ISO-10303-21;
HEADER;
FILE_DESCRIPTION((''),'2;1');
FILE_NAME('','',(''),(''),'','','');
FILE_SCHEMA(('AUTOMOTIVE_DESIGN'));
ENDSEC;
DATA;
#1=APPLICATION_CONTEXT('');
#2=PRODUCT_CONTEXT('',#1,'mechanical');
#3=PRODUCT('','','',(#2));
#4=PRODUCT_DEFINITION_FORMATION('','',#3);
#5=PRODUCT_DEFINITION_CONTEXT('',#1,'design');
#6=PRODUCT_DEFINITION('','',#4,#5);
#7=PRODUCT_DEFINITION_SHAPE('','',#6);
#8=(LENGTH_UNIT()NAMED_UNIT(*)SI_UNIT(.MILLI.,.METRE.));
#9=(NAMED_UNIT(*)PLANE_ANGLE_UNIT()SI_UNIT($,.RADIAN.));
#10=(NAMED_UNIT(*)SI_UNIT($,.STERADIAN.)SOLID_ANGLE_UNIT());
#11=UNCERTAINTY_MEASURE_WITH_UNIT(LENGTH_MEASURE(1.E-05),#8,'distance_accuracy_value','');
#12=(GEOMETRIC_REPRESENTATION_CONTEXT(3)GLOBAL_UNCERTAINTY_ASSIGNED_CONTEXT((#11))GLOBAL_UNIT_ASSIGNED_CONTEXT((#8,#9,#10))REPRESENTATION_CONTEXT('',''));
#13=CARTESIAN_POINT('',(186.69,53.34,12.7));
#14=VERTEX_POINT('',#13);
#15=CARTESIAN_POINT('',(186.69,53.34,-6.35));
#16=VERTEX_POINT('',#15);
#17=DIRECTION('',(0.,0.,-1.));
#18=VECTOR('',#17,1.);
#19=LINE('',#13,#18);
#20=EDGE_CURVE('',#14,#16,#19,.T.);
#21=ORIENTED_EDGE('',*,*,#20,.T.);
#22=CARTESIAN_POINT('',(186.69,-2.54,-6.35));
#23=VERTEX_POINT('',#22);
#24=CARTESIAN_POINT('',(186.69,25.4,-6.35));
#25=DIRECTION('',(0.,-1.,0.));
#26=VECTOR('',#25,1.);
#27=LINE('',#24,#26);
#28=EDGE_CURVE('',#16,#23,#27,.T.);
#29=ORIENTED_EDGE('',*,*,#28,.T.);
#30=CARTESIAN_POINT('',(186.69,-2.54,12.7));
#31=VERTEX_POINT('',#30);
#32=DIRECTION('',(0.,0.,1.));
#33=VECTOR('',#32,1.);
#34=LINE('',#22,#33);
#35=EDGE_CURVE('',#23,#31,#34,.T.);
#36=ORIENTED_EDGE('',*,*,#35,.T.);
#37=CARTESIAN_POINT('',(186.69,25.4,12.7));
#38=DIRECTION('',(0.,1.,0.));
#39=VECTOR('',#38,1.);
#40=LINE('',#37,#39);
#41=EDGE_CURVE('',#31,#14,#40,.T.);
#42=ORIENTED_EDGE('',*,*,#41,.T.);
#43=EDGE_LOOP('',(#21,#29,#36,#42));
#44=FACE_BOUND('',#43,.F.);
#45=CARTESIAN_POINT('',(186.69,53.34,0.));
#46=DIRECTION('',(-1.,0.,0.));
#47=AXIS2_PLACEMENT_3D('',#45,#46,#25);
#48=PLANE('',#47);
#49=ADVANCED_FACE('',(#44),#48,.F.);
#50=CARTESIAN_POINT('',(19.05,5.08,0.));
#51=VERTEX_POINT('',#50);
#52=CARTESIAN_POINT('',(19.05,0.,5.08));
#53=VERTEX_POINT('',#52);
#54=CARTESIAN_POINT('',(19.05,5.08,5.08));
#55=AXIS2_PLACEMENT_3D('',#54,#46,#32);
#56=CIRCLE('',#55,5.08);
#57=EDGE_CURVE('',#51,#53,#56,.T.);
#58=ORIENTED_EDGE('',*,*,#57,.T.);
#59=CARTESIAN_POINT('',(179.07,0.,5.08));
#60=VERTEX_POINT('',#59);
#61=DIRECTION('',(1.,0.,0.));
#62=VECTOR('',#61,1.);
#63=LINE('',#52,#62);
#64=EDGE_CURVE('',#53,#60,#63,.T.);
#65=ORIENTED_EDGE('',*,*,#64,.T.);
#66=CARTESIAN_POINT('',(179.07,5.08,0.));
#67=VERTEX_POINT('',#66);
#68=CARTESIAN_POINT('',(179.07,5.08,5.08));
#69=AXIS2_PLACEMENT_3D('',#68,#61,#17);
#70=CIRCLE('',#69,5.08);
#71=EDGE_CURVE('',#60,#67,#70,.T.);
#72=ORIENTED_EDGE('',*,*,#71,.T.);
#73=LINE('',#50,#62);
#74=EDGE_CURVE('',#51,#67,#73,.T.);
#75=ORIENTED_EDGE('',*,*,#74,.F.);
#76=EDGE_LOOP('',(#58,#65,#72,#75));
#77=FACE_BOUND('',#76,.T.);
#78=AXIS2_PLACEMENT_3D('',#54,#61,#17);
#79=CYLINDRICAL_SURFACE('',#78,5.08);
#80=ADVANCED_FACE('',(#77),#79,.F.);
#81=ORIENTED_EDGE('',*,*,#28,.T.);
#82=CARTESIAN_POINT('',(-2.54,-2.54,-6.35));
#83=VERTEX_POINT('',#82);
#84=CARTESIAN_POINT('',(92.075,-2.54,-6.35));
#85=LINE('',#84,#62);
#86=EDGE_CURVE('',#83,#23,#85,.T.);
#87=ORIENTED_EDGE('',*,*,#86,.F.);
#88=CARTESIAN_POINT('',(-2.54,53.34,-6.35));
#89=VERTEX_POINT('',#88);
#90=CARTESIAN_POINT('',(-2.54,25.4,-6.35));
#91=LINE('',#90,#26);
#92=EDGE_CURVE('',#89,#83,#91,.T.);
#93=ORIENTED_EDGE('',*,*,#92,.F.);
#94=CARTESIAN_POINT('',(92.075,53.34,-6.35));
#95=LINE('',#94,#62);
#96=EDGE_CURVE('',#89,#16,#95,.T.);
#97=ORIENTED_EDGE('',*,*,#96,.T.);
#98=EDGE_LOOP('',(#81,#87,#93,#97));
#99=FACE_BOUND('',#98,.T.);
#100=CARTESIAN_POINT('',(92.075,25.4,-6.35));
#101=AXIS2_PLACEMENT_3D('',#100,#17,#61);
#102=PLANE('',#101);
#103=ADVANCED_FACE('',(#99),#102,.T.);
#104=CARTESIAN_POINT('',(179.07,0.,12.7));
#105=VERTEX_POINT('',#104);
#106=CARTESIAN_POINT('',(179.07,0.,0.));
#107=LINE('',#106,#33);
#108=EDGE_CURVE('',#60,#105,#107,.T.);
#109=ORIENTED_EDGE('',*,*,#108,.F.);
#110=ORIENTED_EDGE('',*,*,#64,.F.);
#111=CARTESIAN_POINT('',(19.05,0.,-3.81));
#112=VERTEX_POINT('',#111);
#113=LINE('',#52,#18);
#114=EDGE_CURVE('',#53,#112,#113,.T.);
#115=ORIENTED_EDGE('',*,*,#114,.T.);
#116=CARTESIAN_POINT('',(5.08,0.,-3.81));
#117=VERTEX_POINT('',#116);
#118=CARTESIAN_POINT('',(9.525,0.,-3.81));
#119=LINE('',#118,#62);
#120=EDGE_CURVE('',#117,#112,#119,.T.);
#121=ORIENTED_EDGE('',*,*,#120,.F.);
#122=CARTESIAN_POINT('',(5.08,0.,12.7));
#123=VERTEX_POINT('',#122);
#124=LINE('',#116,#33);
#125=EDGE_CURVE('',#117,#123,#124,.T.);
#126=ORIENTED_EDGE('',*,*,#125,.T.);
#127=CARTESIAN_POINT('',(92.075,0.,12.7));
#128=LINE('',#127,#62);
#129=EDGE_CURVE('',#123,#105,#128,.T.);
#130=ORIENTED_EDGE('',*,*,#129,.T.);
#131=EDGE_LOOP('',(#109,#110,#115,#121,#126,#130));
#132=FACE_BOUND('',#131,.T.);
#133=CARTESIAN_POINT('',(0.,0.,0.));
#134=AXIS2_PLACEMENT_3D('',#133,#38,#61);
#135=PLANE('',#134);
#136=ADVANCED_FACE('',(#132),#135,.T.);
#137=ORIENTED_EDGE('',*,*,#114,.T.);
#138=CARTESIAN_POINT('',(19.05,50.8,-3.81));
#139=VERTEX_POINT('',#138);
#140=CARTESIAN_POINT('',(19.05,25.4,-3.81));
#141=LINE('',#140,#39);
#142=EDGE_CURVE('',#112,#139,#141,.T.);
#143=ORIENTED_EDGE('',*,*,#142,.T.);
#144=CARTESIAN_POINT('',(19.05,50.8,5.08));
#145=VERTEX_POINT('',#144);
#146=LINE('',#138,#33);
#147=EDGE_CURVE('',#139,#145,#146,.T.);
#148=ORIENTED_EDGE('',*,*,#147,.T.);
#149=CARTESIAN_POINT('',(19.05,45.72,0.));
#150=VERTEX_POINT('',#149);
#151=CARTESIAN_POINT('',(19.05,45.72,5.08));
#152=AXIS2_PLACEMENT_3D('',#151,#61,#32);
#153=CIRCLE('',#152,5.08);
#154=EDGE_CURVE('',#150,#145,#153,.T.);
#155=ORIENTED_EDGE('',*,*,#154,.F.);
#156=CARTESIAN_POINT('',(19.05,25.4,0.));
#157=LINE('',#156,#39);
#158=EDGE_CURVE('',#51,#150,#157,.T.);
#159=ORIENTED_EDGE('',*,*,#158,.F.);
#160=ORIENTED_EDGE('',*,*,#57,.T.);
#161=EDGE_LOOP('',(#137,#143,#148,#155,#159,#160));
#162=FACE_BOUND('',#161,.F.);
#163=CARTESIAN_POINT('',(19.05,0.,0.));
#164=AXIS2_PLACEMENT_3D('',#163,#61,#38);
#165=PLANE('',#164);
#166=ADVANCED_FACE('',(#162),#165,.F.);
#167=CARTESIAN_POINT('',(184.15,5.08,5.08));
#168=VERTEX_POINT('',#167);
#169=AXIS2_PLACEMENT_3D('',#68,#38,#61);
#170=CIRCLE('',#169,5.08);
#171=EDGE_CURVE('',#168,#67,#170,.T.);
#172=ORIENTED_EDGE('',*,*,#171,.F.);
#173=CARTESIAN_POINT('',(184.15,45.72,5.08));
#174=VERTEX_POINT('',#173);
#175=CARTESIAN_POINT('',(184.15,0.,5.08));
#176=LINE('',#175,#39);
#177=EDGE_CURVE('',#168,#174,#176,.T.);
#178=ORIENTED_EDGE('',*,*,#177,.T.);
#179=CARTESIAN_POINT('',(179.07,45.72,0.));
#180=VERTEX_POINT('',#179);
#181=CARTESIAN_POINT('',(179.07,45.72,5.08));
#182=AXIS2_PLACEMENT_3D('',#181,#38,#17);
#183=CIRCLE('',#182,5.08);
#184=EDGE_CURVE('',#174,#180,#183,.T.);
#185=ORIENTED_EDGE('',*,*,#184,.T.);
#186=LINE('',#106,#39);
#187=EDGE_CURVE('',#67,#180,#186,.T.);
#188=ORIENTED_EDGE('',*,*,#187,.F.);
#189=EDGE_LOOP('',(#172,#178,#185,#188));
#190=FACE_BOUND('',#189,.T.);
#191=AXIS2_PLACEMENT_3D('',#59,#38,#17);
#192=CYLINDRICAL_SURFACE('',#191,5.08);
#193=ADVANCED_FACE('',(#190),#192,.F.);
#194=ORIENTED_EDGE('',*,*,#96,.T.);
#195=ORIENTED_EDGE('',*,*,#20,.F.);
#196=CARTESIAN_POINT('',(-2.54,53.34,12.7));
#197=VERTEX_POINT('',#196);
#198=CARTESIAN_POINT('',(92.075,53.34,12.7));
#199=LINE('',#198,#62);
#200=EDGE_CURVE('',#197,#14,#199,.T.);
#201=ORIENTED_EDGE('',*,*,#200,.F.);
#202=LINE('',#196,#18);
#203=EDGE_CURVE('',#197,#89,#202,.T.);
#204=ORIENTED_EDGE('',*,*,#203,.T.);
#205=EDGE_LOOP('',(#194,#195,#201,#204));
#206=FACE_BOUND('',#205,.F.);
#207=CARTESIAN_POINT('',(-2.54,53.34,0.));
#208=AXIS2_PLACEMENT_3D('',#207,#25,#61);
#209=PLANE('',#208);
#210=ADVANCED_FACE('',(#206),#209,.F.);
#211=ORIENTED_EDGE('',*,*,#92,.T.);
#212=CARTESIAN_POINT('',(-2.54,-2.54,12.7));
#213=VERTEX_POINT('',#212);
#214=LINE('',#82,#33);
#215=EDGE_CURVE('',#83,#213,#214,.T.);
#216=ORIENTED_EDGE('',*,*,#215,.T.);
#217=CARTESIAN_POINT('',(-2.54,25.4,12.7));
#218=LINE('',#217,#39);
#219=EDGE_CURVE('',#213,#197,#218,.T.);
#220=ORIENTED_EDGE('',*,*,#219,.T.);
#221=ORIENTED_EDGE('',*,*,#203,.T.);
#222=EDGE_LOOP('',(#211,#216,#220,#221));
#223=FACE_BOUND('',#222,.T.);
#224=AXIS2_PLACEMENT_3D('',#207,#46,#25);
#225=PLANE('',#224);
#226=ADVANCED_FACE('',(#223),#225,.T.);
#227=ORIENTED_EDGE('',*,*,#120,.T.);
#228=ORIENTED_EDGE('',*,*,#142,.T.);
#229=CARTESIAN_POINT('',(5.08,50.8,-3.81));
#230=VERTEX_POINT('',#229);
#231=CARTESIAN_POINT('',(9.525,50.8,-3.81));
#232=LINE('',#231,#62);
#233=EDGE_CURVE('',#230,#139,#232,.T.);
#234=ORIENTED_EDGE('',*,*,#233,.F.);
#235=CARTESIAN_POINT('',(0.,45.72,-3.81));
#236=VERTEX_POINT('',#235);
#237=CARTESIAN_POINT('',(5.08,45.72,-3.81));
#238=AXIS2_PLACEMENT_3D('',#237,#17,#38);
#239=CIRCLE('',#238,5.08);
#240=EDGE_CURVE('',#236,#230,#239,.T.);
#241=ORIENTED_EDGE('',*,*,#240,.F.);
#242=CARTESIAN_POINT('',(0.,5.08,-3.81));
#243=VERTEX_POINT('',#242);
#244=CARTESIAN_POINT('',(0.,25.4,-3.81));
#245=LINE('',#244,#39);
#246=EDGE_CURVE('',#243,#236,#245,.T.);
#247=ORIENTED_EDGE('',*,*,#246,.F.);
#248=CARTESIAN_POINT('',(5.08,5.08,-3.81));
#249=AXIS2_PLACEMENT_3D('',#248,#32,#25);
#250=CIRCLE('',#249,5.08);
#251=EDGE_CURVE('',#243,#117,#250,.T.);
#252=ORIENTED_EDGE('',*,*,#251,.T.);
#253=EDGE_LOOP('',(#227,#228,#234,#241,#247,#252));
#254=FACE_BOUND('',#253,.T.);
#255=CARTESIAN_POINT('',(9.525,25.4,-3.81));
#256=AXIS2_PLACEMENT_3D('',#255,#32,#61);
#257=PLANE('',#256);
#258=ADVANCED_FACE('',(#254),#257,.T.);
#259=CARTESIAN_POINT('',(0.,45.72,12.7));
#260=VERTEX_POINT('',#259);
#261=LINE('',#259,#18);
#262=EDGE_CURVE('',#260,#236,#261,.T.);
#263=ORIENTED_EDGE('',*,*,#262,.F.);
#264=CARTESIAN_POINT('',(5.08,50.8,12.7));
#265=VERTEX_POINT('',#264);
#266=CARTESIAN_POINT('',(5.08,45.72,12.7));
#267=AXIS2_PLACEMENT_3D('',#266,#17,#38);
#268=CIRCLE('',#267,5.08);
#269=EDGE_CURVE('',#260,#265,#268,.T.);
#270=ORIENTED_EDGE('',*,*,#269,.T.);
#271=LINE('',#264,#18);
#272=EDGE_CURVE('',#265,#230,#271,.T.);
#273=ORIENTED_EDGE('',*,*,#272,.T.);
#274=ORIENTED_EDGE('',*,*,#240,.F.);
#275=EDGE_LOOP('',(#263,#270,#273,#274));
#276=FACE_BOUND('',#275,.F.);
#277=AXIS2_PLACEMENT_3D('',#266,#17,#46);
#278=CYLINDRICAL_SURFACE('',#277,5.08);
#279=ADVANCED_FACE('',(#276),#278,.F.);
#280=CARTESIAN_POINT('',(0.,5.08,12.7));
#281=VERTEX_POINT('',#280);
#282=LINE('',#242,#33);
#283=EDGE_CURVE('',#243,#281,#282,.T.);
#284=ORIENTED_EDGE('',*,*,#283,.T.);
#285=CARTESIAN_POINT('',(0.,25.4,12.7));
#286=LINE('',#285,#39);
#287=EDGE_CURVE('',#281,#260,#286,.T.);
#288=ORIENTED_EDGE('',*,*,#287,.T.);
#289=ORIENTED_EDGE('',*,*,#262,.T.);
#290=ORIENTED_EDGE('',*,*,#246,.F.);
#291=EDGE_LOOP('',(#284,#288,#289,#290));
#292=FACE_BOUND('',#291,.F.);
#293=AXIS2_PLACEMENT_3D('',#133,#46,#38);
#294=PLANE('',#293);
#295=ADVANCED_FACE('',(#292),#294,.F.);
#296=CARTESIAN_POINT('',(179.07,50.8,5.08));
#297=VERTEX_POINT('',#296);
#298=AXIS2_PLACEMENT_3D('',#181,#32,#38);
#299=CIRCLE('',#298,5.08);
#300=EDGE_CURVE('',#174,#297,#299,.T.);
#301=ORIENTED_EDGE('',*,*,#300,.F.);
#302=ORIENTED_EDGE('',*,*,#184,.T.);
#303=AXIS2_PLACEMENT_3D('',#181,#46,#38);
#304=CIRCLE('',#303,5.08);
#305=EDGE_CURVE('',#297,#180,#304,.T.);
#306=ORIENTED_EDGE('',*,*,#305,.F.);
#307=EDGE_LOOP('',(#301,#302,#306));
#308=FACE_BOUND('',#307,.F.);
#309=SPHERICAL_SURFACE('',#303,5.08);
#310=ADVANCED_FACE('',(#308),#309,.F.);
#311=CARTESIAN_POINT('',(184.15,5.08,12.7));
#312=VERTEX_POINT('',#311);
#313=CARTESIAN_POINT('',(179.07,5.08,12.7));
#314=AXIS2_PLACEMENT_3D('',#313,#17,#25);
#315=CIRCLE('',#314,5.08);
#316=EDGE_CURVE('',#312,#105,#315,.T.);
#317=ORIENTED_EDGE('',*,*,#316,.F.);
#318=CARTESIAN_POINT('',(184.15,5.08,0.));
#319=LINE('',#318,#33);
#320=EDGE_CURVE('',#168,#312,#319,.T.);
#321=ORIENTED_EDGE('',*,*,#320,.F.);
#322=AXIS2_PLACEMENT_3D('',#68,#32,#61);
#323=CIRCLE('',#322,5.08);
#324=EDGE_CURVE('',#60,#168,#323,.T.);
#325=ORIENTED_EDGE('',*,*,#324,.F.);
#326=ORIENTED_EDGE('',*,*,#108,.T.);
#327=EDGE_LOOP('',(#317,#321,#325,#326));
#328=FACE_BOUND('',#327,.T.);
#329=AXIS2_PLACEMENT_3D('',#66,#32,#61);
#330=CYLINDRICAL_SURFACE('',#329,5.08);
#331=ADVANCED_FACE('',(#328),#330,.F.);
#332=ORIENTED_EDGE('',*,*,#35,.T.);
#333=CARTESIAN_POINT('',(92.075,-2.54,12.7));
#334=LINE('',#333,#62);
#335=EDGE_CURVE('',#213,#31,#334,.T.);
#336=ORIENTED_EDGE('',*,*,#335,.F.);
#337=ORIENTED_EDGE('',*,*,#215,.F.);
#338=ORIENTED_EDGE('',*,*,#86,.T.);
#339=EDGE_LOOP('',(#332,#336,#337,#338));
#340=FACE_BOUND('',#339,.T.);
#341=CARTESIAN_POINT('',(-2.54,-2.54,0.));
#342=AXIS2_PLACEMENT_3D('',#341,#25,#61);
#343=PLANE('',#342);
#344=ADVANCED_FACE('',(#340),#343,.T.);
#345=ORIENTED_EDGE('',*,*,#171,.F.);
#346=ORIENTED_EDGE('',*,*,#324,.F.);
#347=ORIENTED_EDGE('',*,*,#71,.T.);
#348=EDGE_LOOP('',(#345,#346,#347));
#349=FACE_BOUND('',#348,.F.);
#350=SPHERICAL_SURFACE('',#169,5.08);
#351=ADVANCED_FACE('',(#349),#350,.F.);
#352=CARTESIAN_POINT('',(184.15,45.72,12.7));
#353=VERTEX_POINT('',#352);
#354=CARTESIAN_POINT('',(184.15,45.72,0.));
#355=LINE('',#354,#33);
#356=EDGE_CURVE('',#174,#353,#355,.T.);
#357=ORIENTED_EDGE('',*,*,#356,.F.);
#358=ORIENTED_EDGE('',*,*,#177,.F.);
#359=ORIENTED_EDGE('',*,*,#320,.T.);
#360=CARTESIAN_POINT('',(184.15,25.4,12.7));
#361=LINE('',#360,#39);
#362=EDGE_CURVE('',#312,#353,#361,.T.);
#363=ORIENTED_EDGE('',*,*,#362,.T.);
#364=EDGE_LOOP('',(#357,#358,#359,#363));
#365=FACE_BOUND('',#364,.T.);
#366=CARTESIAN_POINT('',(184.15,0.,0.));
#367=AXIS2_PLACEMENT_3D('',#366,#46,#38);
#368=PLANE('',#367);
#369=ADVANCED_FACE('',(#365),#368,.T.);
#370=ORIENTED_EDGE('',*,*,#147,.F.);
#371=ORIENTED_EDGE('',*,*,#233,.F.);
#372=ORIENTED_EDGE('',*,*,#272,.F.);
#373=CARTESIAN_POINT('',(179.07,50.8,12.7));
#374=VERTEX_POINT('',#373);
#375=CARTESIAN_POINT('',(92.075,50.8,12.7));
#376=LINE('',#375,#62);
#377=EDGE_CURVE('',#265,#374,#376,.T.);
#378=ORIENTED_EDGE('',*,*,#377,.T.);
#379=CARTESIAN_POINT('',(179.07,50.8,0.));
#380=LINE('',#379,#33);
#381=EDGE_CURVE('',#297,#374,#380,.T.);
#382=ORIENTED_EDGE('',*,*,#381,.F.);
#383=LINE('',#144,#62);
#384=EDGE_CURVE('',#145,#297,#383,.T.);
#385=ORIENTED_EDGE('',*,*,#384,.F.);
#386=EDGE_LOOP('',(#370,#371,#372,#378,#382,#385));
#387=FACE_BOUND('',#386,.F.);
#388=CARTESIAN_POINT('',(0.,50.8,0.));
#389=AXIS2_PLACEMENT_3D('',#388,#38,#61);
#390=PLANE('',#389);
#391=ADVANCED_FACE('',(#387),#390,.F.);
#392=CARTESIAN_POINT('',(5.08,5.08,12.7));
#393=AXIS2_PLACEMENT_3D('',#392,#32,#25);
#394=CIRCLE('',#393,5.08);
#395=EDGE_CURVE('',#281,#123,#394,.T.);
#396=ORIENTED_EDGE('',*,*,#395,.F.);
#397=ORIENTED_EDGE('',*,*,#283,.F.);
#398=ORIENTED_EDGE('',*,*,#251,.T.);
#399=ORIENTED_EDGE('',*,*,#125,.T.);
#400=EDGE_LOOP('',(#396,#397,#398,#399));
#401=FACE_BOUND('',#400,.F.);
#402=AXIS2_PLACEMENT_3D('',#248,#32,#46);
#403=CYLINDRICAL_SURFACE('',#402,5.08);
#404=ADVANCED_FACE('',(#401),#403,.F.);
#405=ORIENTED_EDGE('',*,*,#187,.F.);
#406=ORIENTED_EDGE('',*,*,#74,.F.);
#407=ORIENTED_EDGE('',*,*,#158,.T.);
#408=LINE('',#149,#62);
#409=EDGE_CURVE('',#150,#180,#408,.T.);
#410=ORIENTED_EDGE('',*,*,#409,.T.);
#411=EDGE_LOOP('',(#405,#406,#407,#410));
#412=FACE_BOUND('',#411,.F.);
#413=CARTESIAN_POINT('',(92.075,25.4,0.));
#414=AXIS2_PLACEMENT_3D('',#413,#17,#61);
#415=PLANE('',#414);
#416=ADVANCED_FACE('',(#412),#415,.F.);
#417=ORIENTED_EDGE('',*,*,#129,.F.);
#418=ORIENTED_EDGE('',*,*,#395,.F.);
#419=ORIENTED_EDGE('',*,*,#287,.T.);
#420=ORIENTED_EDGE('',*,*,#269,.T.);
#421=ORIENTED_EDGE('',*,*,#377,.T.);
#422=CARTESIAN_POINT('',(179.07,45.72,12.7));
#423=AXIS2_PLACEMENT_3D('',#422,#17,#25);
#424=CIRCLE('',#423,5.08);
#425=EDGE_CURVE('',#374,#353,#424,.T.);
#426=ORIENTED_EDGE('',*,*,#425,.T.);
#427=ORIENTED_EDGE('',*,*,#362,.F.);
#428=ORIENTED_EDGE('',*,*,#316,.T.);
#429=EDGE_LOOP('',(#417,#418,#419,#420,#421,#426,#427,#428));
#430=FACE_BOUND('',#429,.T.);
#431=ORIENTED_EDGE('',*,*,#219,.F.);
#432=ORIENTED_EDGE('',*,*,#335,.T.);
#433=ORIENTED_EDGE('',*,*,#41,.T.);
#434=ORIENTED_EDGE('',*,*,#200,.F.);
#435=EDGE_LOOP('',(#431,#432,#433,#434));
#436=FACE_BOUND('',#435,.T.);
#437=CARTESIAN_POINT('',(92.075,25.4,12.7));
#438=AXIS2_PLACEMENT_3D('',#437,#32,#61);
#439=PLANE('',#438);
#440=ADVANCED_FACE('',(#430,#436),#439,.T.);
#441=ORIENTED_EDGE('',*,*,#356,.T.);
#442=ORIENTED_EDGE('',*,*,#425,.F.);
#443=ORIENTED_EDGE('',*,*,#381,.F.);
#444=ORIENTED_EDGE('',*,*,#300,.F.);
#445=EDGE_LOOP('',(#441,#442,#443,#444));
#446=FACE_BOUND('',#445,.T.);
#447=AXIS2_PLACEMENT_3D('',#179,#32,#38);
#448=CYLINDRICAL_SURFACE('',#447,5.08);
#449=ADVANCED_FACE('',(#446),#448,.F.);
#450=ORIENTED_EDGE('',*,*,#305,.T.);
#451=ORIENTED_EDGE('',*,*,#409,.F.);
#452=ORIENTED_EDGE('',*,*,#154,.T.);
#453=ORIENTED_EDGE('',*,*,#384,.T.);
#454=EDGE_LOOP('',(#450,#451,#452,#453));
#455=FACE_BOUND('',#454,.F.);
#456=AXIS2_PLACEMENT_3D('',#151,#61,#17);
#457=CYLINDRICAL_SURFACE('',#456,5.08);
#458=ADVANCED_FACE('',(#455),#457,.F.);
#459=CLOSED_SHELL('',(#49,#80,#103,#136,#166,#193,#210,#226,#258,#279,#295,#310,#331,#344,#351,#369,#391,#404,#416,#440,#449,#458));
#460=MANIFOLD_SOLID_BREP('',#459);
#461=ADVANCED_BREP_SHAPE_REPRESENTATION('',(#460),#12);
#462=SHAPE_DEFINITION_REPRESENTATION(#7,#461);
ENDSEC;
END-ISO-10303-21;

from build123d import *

# Parameters (mm, degrees)
F0_W     = 189.23
F0_H     = 55.88
F0_W_2   = 184.15
F0_H_2   = 50.8
F1_DEPTH = 12.7
F2_W     = 189.23
F2_H     = 55.88
F3_DEPTH = 6.35
F4_W     = 19.05
F4_H     = 50.8
F5_DEPTH = 3.81
F6_R     = 5.08


with BuildPart() as f1:
    # F0 (on Top) → F1 (new body)
    with BuildSketch(Plane.XY):
        with Locations((92.075, 25.4)):
            Rectangle(F0_W, F0_H)
        with Locations((92.075, 25.4)):
            Rectangle(F0_W_2, F0_H_2, mode=Mode.SUBTRACT)
    extrude(amount=F1_DEPTH)

    # F2 (on face) → F3 (join)
    with BuildSketch(Plane(origin=(0, 0, 0), x_dir=(1, 0, 0), z_dir=(0, 0, -1))):
        with Locations((92.075, -25.4)):
            Rectangle(F2_W, F2_H)
    extrude(amount=F3_DEPTH)

    # F4 (on face) → F5 (cut)
    with BuildSketch(Plane.XY):
        with Locations((9.525, 25.4)):
            Rectangle(F4_W, F4_H)
    extrude(amount=-F5_DEPTH, mode=Mode.SUBTRACT)

    # F6
    f6_edges = [f1.edges().sort_by_distance(p)[0] for p in [
        (101.6, 50.8, 0),
        (0, 50.8, 4.445),
        (184.15, 50.8, 6.35),
        (184.15, 25.4, 0),
        (184.15, 0, 6.35),
        (101.6, 0, 0),
        (0, 0, 4.445),
    ]]
    fillet(f6_edges, radius=F6_R)


solid = f1.part
